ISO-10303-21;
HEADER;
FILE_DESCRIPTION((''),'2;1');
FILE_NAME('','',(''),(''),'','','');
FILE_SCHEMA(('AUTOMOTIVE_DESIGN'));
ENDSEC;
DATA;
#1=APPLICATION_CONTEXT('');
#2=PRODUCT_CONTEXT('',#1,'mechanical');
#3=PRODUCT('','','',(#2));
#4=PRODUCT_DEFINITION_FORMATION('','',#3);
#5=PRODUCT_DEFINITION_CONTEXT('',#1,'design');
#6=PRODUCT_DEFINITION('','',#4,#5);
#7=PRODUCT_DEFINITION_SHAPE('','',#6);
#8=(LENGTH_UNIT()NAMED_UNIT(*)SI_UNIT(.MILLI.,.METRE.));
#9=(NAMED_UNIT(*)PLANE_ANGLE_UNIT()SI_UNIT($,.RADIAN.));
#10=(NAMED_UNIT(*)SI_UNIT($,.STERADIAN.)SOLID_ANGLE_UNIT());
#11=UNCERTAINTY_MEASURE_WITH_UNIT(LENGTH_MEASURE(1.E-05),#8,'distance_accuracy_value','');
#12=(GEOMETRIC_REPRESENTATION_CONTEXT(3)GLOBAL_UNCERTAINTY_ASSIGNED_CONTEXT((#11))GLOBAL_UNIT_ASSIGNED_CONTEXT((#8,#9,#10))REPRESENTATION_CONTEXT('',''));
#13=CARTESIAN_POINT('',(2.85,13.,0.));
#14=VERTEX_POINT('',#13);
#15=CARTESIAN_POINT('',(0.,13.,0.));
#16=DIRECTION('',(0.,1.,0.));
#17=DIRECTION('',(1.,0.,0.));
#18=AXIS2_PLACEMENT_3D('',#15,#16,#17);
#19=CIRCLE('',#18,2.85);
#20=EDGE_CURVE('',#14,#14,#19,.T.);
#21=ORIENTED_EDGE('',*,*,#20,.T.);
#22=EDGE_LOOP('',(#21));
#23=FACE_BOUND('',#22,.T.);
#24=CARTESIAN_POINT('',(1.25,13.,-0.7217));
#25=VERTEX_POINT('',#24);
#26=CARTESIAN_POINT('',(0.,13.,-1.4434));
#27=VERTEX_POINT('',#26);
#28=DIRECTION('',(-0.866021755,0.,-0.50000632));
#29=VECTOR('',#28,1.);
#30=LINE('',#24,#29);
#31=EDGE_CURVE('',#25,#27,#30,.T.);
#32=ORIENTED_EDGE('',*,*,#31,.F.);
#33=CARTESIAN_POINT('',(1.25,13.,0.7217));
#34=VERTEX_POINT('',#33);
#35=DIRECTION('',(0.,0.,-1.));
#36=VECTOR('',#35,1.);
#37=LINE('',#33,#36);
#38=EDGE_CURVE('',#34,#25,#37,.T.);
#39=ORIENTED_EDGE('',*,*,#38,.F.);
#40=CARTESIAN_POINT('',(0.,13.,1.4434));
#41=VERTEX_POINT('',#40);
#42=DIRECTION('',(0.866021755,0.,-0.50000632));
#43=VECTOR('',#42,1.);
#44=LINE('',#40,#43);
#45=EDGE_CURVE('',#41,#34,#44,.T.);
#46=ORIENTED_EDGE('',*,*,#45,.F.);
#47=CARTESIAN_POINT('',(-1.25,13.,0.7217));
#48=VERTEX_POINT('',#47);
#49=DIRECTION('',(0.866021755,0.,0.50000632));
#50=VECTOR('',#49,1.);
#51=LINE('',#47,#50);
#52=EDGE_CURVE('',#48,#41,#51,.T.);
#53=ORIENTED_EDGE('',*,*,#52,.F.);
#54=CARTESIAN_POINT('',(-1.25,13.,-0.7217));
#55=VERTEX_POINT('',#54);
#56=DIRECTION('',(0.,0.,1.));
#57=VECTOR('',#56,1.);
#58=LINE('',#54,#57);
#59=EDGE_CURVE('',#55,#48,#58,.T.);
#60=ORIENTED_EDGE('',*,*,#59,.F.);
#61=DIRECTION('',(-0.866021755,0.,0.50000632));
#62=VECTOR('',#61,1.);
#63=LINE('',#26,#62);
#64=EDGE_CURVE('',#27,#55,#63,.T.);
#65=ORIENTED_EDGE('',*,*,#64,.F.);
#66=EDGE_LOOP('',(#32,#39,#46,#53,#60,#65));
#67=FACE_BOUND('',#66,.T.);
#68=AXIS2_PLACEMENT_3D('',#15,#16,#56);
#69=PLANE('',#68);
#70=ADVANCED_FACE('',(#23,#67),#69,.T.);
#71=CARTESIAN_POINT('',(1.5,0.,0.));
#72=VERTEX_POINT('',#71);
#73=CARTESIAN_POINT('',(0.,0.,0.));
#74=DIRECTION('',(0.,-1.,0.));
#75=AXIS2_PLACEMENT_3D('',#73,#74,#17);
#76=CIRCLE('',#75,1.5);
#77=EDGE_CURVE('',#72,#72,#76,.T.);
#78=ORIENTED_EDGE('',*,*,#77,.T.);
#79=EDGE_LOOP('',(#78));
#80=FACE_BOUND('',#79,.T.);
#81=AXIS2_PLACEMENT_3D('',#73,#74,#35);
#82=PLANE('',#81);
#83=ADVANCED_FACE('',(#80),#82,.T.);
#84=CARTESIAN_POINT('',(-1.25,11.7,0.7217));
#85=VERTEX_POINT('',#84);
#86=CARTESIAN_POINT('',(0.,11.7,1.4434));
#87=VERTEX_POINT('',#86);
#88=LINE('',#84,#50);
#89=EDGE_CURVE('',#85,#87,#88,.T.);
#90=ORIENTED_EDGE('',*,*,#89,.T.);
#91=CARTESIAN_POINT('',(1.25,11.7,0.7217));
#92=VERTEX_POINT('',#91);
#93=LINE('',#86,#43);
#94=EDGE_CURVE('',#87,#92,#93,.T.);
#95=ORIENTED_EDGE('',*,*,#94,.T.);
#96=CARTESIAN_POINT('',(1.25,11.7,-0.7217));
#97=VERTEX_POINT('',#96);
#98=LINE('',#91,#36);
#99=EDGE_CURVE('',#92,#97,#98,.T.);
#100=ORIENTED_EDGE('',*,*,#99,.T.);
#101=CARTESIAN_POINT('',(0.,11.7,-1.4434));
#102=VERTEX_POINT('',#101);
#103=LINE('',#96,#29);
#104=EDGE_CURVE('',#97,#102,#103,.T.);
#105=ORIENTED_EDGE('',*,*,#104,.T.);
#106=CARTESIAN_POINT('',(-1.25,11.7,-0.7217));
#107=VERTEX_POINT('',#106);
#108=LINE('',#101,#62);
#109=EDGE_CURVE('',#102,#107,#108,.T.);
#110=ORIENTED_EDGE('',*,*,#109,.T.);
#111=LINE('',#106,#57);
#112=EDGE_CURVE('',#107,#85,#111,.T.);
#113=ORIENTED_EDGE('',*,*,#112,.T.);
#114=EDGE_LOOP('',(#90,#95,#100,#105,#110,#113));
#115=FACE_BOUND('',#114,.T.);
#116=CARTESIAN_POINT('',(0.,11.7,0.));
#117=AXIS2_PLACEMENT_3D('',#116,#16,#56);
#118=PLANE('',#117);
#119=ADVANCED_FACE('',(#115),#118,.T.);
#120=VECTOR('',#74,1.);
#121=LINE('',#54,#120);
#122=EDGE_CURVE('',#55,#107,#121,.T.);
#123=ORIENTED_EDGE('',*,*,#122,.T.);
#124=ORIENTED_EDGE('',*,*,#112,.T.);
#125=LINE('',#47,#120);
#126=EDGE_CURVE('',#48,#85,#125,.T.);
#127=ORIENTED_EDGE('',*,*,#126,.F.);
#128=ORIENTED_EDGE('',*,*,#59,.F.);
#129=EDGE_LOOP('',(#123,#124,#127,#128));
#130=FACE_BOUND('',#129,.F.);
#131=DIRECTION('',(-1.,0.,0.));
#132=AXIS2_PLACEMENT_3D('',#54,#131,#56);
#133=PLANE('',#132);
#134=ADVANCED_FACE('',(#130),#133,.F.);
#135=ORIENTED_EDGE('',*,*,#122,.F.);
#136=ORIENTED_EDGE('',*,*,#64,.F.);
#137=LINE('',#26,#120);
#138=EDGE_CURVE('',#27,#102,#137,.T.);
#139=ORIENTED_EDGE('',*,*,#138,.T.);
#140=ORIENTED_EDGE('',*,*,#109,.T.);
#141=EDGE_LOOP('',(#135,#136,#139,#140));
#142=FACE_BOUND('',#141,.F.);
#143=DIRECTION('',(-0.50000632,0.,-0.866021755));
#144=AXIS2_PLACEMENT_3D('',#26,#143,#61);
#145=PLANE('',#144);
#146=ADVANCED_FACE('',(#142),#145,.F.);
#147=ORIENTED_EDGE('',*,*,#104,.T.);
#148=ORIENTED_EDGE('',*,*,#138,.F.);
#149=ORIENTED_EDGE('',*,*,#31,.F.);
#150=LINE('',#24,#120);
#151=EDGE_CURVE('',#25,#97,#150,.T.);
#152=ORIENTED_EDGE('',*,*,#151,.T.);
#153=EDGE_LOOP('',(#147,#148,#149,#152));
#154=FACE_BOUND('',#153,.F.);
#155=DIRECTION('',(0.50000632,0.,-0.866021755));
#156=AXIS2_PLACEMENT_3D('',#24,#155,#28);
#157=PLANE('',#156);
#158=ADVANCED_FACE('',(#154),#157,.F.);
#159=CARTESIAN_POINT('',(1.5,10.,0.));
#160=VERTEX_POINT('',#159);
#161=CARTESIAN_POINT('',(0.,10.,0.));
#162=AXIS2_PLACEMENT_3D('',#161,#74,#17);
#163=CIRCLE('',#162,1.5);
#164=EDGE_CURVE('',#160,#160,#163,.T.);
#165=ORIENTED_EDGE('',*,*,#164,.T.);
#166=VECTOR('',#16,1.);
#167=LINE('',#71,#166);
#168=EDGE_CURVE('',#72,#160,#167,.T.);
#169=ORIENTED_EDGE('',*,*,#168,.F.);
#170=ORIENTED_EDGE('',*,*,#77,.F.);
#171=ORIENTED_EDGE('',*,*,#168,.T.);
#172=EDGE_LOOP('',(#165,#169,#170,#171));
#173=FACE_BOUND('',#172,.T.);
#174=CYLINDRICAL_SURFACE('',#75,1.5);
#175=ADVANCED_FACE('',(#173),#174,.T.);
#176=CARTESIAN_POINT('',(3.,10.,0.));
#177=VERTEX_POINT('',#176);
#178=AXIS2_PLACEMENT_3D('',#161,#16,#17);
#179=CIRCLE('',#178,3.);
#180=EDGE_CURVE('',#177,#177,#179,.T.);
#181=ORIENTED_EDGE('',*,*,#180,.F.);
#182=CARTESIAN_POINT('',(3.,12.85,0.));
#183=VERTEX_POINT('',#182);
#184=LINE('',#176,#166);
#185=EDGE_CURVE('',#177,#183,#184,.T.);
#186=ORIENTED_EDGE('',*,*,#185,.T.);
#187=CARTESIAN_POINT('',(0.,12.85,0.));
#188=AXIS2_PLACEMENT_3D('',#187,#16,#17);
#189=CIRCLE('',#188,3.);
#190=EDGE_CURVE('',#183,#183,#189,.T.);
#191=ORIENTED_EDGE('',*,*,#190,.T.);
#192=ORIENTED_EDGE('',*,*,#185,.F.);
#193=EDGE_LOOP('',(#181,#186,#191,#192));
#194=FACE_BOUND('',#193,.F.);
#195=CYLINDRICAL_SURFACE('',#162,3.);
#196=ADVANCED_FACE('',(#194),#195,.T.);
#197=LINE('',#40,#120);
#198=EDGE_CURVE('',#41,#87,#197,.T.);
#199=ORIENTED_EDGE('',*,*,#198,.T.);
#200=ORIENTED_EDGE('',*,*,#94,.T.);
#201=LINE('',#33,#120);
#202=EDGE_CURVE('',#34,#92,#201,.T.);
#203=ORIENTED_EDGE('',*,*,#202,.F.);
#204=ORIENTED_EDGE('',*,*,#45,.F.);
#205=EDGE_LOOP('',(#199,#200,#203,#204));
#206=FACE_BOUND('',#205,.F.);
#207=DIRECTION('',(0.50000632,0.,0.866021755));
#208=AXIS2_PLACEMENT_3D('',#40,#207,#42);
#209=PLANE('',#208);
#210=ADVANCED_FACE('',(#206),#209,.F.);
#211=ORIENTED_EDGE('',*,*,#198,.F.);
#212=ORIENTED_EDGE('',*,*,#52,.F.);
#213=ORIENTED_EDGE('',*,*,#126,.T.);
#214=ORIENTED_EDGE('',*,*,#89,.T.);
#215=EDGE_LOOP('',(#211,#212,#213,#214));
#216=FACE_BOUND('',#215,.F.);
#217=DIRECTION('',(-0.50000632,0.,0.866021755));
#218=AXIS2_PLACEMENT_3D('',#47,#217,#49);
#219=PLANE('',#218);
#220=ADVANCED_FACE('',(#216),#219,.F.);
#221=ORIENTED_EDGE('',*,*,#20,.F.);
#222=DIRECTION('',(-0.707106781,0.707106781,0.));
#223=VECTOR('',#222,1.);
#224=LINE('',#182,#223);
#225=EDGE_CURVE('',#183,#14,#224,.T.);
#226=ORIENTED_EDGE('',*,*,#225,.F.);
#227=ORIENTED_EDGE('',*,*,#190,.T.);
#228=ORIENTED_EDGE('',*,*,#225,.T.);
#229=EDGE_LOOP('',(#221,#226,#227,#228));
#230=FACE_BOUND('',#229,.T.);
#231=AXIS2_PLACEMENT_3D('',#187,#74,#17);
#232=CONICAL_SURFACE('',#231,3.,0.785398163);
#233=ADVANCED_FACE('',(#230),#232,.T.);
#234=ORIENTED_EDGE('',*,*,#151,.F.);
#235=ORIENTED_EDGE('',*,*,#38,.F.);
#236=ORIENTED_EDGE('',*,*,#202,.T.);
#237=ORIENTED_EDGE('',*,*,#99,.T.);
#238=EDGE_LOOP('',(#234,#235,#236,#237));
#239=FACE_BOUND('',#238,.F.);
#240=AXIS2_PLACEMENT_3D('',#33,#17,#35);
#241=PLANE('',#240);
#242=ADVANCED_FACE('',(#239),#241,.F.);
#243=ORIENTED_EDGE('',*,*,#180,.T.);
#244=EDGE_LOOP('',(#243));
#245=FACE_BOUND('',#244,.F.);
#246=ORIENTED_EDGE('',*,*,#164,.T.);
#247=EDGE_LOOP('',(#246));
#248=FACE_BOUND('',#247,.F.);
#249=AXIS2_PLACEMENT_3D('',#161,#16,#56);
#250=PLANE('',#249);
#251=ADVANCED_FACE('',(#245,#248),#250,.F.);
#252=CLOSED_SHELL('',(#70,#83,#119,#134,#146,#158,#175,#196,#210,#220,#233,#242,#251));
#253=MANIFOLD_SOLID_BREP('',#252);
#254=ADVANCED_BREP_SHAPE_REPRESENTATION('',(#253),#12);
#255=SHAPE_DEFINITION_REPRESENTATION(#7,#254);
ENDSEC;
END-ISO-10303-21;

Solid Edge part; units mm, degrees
sketch "Sketch1" plane through (0, 0, 0) normal (0, -1, 0) x (1, 0, 0)
  circle A0 centre (0, 0) radius 1.5
extrude "Protrusion1" add sketch "Sketch1" against normal blind 10
sketch "Sketch2" plane through (0, 10, 0) normal (0, 1, 0) x (1, 0, 0)
  circle A0 centre (0, 0) radius 3
extrude "ExtrudedProtrusion_2" add sketch "Sketch2" along normal blind 3
sketch "Sketch3" plane through (0, 13, 0) normal (0, 1, 0) x (-1, 0, 0)
  line L0 (1.25, -0.7217) -> (1.25, 0.7217)
  line L1 (1.25, 0.7217) -> (0, 1.4434)
  line L2 (0, 1.4434) -> (-1.25, 0.7217)
  line L3 (-1.25, 0.7217) -> (-1.25, -0.7217)
  line L4 (-1.25, -0.7217) -> (0, -1.4434)
  line L5 (0, -1.4434) -> (1.25, -0.7217)
  dimension "D1" = 2.5
extrude "ExtrudedCutout_2" cut sketch "Sketch3" against normal blind 1.3
chamfer "Chamfer_1" distance 0.15 angle 45 1 edges at (-3, 13, 0)
properties material "Nylon, general purpose"
